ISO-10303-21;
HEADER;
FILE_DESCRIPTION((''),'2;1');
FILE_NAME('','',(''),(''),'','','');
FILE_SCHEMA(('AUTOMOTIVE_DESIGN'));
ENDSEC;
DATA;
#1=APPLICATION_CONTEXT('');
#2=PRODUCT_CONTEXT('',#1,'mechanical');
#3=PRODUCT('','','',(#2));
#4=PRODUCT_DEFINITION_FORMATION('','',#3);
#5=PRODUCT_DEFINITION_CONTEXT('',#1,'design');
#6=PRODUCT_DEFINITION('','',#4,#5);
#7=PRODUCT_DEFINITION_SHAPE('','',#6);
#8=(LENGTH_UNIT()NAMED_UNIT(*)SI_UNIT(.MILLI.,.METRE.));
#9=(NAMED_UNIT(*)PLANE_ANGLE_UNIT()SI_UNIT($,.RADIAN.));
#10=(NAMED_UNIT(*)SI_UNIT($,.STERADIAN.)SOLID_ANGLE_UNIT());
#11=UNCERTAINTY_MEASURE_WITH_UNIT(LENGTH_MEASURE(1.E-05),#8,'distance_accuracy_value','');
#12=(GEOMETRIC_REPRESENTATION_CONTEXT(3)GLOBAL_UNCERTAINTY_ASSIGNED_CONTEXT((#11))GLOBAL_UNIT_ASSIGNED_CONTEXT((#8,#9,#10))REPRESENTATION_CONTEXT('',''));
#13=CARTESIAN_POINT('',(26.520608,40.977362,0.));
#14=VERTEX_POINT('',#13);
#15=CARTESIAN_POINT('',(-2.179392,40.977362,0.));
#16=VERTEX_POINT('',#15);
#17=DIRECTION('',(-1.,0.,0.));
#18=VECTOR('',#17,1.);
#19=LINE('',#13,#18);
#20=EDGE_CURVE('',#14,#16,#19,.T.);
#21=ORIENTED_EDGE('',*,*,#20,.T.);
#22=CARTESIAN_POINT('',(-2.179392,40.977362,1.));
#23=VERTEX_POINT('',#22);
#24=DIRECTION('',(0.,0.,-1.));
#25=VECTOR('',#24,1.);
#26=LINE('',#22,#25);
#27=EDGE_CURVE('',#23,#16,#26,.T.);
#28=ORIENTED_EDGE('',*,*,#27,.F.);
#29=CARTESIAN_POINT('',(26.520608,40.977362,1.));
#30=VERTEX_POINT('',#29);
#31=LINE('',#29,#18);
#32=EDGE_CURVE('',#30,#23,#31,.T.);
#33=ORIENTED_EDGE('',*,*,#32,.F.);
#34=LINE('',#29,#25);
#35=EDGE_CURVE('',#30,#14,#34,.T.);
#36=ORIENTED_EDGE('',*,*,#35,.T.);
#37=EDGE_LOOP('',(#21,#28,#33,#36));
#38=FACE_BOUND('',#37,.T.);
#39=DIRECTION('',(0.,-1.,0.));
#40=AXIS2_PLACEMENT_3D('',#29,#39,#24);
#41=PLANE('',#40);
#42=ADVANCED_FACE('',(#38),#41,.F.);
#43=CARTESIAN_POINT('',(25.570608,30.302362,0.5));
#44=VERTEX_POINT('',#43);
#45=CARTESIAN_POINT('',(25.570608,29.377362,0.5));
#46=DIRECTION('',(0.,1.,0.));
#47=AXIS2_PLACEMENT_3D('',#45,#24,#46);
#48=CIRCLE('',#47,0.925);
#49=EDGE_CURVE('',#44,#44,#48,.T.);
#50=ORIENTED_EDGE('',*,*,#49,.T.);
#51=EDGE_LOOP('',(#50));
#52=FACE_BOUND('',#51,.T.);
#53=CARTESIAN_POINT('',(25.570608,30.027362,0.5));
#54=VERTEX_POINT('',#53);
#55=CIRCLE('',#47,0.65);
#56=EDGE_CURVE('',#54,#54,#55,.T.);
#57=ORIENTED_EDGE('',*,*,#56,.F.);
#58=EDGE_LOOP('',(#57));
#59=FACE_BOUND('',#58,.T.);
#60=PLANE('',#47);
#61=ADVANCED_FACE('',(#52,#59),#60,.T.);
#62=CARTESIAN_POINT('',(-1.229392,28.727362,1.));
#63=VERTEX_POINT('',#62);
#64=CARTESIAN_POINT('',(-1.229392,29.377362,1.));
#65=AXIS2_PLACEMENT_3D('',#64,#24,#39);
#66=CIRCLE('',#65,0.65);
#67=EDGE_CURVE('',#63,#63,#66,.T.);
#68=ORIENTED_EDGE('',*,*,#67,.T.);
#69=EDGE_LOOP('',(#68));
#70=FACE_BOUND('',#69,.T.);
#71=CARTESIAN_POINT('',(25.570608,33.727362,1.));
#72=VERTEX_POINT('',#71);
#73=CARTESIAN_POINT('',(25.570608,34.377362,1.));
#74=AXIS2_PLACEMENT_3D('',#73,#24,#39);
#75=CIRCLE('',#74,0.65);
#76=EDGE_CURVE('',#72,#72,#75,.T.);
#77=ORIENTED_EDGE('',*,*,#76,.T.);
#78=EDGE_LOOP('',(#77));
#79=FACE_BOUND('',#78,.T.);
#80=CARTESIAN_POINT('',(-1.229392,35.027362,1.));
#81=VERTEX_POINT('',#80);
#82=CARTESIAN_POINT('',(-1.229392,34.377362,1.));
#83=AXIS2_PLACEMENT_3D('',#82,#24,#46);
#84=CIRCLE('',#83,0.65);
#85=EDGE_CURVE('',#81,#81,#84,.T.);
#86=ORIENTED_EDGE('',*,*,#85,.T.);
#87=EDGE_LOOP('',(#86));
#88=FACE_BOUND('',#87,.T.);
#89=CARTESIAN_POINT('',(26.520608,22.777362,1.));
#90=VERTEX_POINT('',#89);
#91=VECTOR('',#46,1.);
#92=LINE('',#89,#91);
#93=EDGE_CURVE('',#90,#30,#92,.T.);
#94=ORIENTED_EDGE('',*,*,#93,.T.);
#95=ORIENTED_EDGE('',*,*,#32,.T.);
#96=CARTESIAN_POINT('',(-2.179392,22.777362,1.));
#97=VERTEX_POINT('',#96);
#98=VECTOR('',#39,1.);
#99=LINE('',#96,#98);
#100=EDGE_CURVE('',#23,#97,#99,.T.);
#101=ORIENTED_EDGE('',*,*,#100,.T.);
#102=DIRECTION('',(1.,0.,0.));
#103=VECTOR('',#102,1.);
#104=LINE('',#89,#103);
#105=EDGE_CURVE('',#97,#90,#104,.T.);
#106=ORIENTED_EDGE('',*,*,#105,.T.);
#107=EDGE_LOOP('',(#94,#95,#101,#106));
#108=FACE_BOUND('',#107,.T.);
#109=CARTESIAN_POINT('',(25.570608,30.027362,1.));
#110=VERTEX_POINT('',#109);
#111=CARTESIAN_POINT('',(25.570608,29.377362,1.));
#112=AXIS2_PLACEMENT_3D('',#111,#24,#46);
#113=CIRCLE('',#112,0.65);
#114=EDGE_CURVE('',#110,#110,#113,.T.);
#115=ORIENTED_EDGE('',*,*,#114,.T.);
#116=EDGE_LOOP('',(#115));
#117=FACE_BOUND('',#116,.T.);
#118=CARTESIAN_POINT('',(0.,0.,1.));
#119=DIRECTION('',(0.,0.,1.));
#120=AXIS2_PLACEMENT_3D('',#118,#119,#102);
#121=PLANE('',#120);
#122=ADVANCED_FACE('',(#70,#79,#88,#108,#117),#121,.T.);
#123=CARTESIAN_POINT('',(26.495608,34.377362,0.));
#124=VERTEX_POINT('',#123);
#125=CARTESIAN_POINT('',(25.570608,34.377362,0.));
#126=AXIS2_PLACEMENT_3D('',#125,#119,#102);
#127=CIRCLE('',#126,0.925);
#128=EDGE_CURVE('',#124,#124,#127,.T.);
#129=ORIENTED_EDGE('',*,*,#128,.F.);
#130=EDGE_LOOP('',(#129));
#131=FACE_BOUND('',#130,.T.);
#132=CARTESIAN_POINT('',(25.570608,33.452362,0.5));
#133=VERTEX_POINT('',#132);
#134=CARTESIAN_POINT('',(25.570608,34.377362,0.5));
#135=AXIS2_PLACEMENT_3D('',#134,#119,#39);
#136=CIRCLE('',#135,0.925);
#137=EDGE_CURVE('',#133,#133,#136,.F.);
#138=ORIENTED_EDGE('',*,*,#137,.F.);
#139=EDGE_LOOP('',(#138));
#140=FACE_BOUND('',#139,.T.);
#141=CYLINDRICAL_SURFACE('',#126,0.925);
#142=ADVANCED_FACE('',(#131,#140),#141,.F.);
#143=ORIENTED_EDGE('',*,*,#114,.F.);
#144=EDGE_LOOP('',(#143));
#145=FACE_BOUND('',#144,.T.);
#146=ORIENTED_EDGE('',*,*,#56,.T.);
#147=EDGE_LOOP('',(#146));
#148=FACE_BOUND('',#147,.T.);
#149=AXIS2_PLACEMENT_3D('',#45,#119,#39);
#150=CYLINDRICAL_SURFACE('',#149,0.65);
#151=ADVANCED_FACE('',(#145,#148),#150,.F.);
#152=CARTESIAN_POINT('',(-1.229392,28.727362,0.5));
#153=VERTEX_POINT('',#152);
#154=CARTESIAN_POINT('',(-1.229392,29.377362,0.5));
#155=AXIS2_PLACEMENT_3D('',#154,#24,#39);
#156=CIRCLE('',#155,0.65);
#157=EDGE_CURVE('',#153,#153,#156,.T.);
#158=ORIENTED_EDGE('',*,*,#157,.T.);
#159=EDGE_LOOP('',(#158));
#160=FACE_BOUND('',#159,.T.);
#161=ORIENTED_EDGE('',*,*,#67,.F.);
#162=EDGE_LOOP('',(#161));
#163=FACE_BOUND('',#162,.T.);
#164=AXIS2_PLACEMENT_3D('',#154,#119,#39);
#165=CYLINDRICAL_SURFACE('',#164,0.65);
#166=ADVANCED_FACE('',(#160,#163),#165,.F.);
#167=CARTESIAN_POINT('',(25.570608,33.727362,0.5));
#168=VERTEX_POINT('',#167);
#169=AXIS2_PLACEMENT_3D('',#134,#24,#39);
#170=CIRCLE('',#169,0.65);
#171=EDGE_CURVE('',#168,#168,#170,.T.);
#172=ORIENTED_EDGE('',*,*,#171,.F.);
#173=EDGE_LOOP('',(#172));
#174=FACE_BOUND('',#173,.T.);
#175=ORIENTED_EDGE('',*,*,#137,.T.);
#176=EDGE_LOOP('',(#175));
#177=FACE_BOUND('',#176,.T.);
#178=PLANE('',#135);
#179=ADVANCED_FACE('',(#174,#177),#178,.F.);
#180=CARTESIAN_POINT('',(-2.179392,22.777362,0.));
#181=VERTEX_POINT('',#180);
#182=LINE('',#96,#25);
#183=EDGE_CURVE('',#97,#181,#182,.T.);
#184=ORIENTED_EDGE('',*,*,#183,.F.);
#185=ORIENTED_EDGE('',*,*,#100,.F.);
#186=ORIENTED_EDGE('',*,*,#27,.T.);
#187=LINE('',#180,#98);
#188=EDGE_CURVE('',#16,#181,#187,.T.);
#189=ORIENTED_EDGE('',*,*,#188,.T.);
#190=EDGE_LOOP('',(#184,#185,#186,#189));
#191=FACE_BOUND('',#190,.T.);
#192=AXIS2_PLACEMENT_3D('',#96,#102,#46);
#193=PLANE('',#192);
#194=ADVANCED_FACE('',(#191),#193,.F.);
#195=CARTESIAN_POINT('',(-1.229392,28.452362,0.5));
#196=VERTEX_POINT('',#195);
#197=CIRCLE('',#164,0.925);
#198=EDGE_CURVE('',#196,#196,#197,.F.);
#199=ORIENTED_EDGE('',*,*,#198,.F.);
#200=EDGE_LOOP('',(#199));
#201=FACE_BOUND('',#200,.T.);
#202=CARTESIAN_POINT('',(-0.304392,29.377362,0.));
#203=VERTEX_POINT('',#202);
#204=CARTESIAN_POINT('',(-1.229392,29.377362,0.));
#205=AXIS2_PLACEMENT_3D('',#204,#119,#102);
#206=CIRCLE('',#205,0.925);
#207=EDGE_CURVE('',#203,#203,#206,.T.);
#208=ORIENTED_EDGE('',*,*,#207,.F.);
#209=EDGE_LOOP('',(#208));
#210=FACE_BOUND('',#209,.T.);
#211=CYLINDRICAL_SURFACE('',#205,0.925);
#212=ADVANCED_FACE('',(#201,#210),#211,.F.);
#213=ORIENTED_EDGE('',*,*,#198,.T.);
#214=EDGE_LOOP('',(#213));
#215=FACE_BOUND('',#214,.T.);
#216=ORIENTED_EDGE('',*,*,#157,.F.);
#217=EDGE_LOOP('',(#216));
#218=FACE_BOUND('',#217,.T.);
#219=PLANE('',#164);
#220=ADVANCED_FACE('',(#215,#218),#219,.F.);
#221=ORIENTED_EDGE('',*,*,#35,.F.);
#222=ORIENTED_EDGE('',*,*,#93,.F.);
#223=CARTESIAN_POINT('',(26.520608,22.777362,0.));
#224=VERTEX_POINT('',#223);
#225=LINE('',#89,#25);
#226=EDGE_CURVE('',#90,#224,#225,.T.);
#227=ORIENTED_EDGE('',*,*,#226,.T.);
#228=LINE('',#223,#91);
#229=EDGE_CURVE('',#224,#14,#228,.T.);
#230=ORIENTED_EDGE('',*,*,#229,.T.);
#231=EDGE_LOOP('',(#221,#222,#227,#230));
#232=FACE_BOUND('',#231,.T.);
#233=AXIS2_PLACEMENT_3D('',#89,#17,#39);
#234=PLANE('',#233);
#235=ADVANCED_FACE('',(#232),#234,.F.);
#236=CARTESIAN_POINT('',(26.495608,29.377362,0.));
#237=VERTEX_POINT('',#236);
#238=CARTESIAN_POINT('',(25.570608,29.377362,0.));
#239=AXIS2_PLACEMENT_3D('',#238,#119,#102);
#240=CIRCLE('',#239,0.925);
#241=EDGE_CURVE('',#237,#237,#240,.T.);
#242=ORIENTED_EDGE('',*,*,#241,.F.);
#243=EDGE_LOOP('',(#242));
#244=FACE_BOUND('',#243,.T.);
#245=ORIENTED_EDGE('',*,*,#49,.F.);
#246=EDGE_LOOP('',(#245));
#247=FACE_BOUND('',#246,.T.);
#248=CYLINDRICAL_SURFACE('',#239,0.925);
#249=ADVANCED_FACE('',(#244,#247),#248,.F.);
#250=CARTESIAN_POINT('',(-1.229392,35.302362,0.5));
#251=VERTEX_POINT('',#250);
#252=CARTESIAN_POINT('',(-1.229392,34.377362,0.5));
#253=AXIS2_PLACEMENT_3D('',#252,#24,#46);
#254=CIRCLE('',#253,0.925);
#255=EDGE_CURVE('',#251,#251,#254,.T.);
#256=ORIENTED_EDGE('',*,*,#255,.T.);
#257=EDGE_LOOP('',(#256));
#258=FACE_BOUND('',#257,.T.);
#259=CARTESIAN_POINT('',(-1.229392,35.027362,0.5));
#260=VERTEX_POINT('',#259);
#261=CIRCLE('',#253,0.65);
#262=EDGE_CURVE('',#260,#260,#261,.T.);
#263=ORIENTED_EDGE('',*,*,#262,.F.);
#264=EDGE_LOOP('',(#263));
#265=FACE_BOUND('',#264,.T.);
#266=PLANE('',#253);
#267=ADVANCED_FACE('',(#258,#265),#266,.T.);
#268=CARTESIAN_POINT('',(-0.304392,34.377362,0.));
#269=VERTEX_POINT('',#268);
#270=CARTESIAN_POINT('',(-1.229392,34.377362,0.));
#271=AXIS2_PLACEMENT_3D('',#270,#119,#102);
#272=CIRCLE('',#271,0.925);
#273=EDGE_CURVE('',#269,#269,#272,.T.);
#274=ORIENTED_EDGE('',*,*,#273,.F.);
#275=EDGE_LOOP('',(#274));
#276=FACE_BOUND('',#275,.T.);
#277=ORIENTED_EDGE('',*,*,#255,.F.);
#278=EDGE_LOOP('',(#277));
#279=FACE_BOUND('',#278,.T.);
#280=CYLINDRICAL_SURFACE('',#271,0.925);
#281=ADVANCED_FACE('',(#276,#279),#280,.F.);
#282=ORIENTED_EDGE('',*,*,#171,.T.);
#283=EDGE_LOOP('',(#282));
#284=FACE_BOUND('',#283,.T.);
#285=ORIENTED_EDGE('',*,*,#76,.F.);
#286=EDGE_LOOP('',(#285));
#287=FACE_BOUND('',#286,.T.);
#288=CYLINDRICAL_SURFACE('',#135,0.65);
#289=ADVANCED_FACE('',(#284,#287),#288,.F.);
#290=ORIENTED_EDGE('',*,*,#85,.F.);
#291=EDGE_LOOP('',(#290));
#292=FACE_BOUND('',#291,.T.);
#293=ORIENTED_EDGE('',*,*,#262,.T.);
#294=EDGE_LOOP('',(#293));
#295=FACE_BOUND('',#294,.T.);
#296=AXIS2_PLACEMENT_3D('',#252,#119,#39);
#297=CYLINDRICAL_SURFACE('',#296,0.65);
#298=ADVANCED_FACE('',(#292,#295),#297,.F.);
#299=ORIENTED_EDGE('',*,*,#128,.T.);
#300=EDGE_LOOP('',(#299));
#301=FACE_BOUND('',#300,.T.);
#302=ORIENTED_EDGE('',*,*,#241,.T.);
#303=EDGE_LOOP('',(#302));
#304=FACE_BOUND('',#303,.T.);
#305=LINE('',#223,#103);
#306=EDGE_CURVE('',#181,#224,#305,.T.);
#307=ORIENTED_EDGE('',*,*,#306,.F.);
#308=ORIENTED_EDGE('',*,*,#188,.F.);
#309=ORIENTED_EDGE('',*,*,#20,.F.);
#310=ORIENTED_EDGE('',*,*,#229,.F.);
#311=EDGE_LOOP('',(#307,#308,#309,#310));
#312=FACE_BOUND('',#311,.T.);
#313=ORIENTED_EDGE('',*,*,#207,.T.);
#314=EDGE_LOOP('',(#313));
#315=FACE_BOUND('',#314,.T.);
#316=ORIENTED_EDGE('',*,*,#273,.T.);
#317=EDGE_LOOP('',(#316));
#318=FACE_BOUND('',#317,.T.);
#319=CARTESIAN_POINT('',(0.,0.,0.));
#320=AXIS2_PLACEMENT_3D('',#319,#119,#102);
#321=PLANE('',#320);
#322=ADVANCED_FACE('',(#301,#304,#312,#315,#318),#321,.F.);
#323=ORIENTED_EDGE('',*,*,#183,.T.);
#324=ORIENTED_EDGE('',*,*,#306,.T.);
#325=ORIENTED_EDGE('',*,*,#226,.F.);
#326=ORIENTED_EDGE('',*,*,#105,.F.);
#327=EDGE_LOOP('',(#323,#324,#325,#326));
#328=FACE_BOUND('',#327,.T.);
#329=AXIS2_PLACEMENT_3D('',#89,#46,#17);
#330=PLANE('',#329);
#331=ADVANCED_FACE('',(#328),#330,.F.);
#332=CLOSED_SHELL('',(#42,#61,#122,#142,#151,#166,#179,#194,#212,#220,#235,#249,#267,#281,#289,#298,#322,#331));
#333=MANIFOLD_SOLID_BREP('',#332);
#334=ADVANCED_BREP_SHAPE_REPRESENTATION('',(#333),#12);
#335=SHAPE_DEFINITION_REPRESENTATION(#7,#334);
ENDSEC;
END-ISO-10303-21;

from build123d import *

# Parameters (mm, degrees)
SKETCH_1_W          = 28.7
SKETCH_1_H          = 18.2
EXTRUDE_1_DEPTH     = 1
SKETCH_2_R          = 0.925
CUT_EXTRUDE_1_DEPTH = 49.82096668
SKETCH_3_R          = 0.925
SKETCH_3_R_2        = 0.65
EXTRUDE_2_DEPTH     = 0.5


with BuildPart() as part:
    # 草圖1 → 填料-伸長1 (new body)
    with BuildSketch(Plane.XY):
        with Locations((12.170607589, 31.877361563)):
            Rectangle(SKETCH_1_W, SKETCH_1_H)
    extrude(amount=EXTRUDE_1_DEPTH)

    # 草圖2 → 除料-伸長1 (cut, through all)
    with BuildSketch(Plane.XY.offset(1)):
        with Locations((25.570607589, 34.377361563)):
            Circle(SKETCH_2_R)
        with Locations((25.570607589, 29.377361563)):
            Circle(SKETCH_2_R)
        with Locations((-1.229392411, 34.377361563)):
            Circle(SKETCH_2_R)
        with Locations((-1.229392411, 29.377361563)):
            Circle(SKETCH_2_R)
    extrude(amount=-CUT_EXTRUDE_1_DEPTH, mode=Mode.SUBTRACT)

    # 草圖3 → 填料-伸長2 (add)
    # profile 1 of 4: a face of its own
    with BuildSketch(Plane(origin=(0, 0, 1), x_dir=(-1, 0, 0), z_dir=(0, 0, -1))):
        with Locations(Location((1.229392411, 34.377361563, 0), (0, 0, 180))):
            Circle(SKETCH_3_R)
        with Locations(Location((1.229392411, 34.377361563, 0), (0, 0, 90))):
            Circle(SKETCH_3_R_2, mode=Mode.SUBTRACT)
    # profile 2 of 4: a face of its own
    with BuildSketch(Plane(origin=(0, 0, 1), x_dir=(-1, 0, 0), z_dir=(0, 0, -1))):
        with Locations(Location((1.229392411, 29.377361563, 0), (0, 0, 180))):
            Circle(SKETCH_3_R)
        with Locations(Location((1.229392411, 29.377361563, 0), (0, 0, 270))):
            Circle(SKETCH_3_R_2, mode=Mode.SUBTRACT)
    # profile 3 of 4: a face of its own
    with BuildSketch(Plane(origin=(0, 0, 1), x_dir=(-1, 0, 0), z_dir=(0, 0, -1))):
        with Locations(Location((-25.570607589, 29.377361563, 0), (0, 0, 180))):
            Circle(SKETCH_3_R)
        with Locations(Location((-25.570607589, 29.377361563, 0), (0, 0, 90))):
            Circle(SKETCH_3_R_2, mode=Mode.SUBTRACT)
    # profile 4 of 4: a face of its own
    with BuildSketch(Plane(origin=(0, 0, 1), x_dir=(-1, 0, 0), z_dir=(0, 0, -1))):
        with Locations(Location((-25.570607589, 34.377361563, 0), (0, 0, 180))):
            Circle(SKETCH_3_R)
        with Locations(Location((-25.570607589, 34.377361563, 0), (0, 0, 270))):
            Circle(SKETCH_3_R_2, mode=Mode.SUBTRACT)
    extrude(amount=EXTRUDE_2_DEPTH)


solid = part.part
